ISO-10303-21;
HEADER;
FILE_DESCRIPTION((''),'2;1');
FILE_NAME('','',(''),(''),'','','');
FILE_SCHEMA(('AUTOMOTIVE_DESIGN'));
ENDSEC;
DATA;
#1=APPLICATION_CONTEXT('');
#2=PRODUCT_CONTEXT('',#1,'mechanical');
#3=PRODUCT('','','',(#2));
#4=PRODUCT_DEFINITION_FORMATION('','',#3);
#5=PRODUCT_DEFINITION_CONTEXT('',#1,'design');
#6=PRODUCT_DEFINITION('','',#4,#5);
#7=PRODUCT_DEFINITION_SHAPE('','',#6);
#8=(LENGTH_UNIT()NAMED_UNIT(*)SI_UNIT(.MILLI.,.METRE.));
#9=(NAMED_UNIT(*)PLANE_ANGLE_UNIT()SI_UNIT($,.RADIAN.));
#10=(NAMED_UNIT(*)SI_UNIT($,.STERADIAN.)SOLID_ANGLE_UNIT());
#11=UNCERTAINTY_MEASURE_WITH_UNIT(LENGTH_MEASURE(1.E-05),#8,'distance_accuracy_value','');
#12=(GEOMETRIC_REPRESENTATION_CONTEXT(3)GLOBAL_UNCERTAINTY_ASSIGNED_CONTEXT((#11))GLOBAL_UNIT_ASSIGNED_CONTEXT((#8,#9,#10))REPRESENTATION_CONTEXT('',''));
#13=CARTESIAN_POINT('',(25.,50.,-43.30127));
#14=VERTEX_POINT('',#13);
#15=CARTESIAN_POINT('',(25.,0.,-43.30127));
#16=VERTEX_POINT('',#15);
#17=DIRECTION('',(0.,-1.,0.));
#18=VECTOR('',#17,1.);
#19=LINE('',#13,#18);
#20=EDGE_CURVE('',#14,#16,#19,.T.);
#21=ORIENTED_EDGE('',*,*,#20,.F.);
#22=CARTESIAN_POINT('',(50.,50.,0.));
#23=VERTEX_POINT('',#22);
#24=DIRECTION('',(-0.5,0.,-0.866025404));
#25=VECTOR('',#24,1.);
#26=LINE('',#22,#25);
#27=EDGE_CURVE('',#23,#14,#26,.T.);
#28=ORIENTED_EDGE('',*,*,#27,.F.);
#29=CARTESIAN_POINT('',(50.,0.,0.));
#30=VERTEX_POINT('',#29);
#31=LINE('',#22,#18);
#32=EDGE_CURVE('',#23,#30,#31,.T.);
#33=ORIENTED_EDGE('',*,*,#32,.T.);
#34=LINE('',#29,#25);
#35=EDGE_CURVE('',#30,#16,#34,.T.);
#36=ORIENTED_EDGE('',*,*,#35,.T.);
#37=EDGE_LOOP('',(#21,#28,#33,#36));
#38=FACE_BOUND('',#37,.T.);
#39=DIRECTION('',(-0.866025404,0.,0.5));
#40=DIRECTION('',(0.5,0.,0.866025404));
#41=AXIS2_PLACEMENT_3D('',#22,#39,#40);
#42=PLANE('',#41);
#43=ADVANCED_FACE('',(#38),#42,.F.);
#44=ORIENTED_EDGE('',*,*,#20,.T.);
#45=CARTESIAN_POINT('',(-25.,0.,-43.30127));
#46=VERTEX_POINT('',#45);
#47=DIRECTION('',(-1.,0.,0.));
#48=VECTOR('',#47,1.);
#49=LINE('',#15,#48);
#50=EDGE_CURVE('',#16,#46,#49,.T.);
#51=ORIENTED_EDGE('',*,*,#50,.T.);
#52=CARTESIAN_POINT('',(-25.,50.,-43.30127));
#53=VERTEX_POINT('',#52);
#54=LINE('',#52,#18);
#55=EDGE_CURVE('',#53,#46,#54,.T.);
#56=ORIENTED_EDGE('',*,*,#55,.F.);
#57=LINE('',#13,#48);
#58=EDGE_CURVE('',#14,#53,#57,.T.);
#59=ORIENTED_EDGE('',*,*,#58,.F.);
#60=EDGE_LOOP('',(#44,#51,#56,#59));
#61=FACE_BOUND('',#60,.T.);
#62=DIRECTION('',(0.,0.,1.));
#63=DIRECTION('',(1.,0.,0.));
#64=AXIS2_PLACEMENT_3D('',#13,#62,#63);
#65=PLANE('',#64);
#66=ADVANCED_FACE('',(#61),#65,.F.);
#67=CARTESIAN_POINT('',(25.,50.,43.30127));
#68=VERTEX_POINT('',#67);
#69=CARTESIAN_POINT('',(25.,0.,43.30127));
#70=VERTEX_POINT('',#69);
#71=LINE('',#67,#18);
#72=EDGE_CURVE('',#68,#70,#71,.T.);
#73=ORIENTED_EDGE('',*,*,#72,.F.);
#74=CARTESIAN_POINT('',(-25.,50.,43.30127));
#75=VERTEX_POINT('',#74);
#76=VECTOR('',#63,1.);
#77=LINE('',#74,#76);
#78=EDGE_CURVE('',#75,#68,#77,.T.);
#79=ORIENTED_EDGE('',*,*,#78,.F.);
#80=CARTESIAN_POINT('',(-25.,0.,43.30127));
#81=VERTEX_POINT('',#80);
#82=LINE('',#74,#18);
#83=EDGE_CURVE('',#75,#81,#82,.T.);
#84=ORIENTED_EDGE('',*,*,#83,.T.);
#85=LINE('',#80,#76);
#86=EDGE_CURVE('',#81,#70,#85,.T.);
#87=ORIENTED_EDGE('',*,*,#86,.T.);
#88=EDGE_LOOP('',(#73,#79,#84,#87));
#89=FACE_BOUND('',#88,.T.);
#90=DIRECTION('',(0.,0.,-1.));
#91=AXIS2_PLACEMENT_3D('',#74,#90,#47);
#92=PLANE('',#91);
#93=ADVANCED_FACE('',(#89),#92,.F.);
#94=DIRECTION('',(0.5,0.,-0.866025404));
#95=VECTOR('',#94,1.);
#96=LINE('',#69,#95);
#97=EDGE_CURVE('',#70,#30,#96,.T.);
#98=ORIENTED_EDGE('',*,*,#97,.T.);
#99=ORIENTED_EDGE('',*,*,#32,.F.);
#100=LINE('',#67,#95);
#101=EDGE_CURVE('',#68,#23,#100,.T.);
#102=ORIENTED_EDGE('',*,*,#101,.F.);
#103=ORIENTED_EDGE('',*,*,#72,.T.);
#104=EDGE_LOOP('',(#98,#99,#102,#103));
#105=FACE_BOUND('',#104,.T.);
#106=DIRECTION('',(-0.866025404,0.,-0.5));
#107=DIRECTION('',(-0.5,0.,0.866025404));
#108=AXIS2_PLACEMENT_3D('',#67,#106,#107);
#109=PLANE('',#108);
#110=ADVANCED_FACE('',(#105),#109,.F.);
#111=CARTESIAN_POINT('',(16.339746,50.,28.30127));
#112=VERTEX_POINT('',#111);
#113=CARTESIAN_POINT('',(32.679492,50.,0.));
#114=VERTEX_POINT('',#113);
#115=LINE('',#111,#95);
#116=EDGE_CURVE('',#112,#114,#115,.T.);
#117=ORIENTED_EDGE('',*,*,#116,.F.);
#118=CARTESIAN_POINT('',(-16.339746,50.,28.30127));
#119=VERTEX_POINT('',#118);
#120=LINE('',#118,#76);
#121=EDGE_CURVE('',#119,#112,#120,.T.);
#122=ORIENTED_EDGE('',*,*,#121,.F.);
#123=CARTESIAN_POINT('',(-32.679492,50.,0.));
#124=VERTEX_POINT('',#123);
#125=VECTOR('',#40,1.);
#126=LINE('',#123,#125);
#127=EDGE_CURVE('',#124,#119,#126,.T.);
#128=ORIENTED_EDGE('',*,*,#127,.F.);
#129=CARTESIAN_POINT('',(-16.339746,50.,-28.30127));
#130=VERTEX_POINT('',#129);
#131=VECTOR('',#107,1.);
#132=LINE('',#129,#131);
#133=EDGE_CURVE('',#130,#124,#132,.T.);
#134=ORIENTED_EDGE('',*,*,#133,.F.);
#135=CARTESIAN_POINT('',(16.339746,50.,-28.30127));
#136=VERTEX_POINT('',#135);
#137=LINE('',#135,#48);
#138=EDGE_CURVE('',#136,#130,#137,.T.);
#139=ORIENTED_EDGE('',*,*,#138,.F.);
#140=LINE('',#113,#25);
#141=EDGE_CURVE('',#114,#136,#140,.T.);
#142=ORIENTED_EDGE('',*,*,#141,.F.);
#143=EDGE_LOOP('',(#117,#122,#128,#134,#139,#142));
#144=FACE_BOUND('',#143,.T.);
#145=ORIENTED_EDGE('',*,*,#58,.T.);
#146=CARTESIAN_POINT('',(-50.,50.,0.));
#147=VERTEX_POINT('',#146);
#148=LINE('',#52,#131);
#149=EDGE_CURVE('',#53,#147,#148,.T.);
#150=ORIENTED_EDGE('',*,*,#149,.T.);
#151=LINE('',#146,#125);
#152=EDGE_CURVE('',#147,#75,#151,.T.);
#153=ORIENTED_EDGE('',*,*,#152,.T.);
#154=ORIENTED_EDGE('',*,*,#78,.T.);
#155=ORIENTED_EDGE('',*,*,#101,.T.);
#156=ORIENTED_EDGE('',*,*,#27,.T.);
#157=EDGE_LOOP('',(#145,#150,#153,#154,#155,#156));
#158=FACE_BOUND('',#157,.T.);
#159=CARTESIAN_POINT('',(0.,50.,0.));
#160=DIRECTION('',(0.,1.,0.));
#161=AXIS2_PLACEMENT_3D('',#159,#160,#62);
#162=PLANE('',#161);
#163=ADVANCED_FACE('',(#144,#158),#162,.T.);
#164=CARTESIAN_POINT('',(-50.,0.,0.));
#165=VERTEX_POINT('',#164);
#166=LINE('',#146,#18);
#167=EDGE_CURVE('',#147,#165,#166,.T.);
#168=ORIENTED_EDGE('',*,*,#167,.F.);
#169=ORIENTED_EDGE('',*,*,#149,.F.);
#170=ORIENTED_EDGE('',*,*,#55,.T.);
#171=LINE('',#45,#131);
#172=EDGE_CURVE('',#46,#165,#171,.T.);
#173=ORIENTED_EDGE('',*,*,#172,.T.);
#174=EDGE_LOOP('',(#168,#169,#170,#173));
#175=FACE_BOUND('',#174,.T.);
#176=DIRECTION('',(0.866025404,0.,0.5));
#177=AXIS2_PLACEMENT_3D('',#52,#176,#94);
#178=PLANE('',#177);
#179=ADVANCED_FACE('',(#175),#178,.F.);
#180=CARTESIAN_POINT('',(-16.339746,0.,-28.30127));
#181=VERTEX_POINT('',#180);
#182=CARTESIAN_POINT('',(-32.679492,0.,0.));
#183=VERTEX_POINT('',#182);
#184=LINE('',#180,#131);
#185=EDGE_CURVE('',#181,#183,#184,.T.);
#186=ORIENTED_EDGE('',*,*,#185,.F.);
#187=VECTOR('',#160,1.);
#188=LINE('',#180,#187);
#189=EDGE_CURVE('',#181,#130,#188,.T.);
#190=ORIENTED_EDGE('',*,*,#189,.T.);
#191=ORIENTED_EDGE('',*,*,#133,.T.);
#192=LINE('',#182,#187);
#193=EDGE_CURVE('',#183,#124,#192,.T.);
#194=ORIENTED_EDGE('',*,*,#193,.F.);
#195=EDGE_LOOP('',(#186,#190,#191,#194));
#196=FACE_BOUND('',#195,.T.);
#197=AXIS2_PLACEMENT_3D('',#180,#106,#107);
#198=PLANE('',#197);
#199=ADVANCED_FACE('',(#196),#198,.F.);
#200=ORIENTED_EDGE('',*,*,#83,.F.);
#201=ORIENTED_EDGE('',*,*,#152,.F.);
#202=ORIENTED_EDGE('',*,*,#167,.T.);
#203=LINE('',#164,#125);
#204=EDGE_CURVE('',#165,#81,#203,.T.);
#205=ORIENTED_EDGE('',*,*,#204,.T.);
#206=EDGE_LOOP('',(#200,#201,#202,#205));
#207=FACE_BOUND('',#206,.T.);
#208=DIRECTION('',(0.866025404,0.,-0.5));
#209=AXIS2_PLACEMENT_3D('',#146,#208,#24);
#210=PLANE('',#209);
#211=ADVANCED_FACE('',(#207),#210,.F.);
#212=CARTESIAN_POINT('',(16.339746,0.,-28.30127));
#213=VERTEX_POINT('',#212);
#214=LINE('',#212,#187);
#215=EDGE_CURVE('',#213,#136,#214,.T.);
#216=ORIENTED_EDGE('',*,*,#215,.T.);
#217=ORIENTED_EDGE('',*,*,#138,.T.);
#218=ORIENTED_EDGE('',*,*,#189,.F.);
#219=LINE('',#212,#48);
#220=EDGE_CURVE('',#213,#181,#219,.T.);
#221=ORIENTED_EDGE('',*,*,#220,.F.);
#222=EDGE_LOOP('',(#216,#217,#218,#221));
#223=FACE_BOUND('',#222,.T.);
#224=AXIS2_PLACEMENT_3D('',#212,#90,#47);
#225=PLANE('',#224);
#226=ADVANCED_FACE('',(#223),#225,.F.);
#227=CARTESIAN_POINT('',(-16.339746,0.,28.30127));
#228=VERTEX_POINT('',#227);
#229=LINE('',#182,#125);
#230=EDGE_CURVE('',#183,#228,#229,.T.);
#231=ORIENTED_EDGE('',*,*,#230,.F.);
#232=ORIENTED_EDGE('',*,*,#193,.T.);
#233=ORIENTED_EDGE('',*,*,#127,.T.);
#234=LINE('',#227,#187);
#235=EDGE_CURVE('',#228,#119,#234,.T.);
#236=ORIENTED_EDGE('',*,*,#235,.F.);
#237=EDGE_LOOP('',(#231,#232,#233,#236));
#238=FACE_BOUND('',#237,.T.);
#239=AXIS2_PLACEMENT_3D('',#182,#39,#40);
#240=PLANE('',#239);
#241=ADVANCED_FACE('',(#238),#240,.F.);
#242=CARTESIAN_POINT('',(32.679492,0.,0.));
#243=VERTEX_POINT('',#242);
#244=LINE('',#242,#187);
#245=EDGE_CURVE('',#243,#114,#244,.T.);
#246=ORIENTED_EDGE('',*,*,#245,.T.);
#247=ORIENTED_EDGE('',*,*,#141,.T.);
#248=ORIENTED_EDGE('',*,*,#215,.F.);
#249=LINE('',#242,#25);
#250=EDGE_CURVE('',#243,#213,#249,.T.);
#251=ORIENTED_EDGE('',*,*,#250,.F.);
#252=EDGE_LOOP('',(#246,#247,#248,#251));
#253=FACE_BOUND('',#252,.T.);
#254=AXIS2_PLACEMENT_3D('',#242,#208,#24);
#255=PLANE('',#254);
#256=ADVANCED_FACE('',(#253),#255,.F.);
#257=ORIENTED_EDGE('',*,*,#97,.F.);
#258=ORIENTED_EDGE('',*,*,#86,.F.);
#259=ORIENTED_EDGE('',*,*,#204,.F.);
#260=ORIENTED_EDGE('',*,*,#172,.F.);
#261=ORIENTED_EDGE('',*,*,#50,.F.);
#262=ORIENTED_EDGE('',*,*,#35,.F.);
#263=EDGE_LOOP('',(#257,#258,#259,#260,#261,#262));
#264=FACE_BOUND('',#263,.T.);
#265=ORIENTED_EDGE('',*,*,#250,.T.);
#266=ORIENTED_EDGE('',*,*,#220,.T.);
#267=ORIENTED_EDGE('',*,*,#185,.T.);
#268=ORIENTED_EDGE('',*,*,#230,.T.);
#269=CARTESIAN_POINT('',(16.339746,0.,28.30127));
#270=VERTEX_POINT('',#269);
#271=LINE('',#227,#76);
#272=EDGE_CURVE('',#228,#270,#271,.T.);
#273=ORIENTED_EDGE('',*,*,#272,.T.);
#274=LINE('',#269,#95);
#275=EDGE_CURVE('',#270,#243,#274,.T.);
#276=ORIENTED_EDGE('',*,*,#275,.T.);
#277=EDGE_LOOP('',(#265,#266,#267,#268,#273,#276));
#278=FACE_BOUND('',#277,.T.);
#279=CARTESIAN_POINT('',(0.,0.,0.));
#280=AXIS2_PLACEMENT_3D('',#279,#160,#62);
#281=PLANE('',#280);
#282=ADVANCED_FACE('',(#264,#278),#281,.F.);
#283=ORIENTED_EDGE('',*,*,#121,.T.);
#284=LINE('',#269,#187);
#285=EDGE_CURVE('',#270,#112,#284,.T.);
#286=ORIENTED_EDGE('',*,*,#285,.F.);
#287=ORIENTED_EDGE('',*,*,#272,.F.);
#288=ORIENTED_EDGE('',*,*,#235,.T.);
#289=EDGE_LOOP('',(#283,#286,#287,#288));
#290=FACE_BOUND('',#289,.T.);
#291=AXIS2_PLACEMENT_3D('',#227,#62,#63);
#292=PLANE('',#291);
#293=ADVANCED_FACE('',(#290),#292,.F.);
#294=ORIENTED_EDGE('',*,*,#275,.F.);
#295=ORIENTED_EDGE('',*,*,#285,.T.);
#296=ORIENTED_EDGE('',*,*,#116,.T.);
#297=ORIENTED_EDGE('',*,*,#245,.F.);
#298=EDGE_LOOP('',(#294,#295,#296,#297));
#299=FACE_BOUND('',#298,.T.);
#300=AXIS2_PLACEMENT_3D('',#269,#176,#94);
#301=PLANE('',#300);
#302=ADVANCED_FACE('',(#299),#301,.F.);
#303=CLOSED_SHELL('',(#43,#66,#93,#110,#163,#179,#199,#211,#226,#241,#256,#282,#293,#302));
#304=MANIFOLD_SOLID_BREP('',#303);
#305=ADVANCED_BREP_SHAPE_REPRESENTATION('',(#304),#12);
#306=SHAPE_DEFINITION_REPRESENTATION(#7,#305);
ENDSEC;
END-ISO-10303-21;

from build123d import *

# Parameters (mm, degrees)
BOSS_EXTRUDE1_DEPTH = 50
CUT_EXTRUDE1_DEPTH  = 51


with BuildPart() as part:
    # Sketch1 → Boss-Extrude1 (new body)
    with BuildSketch(Plane(origin=(0, 0, 0), x_dir=(1, 0, 0), z_dir=(0, 1, 0))):
        Polygon((-25, -43.301270189), (25, -43.301270189), (50, 0), (25, 43.301270189), (-25, 43.301270189), (-50, 0), align=None)
    extrude(amount=BOSS_EXTRUDE1_DEPTH)

    # Sketch2 → Cut-Extrude1 (cut, through all)
    with BuildSketch(Plane(origin=(0, 50, 0), x_dir=(1, 0, 0), z_dir=(0, 1, 0))):
        Polygon((-32.679491924, 0), (-16.339745962, -28.301270189), (16.339745962, -28.301270189), (32.679491924, 0), (16.339745962, 28.301270189), (-16.339745962, 28.301270189), align=None)
    extrude(amount=-CUT_EXTRUDE1_DEPTH, mode=Mode.SUBTRACT)


solid = part.part
